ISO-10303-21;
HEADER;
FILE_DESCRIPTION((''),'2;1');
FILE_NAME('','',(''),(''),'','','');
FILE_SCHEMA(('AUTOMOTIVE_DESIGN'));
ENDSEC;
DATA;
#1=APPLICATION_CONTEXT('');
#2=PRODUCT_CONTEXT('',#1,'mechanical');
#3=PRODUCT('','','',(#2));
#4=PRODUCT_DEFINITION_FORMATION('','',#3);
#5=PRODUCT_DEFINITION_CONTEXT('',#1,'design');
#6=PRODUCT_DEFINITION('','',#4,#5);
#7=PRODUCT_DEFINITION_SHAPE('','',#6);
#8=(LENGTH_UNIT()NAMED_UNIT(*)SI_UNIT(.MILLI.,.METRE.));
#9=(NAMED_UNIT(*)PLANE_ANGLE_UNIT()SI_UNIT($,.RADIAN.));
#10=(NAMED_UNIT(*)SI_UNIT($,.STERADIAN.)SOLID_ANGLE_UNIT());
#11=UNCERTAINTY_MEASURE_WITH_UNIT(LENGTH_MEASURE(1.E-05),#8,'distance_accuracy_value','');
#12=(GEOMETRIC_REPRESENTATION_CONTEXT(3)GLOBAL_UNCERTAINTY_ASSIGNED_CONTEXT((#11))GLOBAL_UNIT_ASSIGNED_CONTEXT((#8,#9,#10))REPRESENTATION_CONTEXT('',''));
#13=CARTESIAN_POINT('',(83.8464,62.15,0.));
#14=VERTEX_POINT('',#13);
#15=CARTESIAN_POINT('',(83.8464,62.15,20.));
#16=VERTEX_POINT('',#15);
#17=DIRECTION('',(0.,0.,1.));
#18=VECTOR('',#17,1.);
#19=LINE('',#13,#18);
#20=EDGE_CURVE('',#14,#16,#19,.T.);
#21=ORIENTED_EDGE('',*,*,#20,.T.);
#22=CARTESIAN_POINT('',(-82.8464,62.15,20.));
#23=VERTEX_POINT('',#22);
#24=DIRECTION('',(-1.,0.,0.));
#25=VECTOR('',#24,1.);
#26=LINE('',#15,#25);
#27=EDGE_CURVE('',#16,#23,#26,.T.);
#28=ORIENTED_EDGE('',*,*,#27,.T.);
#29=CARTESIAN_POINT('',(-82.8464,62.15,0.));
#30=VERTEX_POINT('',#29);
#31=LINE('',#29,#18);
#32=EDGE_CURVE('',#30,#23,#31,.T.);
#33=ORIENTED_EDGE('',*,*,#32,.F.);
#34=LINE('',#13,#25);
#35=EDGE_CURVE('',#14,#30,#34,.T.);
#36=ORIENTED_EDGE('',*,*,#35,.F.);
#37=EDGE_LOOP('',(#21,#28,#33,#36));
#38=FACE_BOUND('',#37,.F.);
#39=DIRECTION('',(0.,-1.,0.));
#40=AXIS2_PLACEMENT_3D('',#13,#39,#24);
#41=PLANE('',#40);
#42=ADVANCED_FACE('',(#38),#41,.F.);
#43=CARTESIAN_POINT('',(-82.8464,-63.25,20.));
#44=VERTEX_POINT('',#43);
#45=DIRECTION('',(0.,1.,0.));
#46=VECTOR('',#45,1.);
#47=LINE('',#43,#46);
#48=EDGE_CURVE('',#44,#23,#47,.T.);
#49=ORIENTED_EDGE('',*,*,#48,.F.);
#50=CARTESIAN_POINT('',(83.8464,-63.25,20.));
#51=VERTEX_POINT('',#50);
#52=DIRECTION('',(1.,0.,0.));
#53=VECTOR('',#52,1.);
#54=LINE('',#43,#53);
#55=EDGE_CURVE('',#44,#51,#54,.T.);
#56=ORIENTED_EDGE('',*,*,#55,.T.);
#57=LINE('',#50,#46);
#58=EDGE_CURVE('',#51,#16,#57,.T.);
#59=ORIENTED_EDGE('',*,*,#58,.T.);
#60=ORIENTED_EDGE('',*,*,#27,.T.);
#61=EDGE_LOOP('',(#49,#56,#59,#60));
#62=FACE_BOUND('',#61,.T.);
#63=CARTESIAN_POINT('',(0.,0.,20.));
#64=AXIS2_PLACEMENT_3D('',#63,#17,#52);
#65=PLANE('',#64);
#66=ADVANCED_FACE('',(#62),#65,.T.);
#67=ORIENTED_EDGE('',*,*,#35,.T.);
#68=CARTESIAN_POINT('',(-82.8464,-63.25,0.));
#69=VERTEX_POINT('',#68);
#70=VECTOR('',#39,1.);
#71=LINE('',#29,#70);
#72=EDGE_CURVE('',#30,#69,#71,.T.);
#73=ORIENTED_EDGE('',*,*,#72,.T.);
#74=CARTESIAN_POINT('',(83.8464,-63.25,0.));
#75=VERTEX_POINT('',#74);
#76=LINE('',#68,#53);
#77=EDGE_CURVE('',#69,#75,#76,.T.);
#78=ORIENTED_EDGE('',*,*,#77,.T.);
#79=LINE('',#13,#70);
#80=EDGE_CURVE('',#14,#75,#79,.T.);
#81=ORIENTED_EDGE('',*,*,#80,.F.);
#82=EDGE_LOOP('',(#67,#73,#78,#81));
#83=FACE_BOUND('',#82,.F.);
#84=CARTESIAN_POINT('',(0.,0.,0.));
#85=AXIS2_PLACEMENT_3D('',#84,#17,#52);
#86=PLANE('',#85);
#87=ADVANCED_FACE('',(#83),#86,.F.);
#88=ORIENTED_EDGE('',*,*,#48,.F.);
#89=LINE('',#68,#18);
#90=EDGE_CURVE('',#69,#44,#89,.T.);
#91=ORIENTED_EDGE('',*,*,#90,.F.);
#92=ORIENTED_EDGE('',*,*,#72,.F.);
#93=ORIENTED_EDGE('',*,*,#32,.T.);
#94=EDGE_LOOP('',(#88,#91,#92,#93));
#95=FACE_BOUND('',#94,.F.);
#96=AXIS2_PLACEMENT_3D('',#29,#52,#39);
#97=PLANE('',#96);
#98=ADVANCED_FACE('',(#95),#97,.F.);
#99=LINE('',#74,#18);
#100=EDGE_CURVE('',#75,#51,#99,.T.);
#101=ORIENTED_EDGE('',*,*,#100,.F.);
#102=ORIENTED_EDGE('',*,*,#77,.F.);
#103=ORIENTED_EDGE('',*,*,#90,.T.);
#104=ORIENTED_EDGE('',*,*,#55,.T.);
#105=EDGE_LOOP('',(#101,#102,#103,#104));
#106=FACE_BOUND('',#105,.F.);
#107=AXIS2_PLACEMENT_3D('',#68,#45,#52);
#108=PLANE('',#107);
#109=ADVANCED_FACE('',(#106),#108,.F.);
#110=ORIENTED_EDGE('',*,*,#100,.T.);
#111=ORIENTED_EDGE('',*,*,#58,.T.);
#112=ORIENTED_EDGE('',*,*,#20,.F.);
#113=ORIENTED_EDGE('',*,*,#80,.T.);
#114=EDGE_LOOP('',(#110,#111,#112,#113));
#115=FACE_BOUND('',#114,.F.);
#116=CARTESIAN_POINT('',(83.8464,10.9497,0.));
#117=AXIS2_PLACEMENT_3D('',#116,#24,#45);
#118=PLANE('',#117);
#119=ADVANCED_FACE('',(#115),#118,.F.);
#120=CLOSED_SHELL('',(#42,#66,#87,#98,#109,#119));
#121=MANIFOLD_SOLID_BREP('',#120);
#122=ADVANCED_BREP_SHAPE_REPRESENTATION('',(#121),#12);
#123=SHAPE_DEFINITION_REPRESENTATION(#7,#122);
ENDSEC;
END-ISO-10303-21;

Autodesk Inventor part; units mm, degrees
ref_plane "YZ Plane" through (0, 0, 0) normal (1, 0, 0) x (0, 1, 0)
ref_plane "XZ Plane" through (0, 0, 0) normal (0, 1, 0) x (-1, 0, 0)
ref_plane "XY Plane" through (0, 0, 0) normal (0, 0, 1) x (1, 0, 0)
sketch "Sketch1" plane through (0, 0, 0) normal (0, 0, 1) x (1, 0, 0)
  line L0 (77.2, 10.9497) -> (83.8464, 10.9497) projected
  line L1 (83.8464, 10.9497) -> (83.8464, 62.15) projected
  line L2 (83.8464, 62.15) -> (-82.8464, 62.15) projected
  line L3 (-82.8464, 62.15) -> (-82.8464, 10.9497) projected
  line L4 (-82.8464, 10.9497) -> (-76.2, 10.9497) projected
  line L5 (-76.2, 10.9497) -> (-76.2, 57.15) projected
  line L6 (-76.2, 57.15) -> (77.2, 57.15) projected
  line L7 (77.2, 57.15) -> (77.2, 10.9497) projected
  line L8 (83.8464, -12.0497) -> (77.2, -12.0497) projected
  line L9 (77.2, -12.0497) -> (77.2, -58.25) projected
  line L10 (77.2, -58.25) -> (-76.2, -58.25) projected
  line L11 (-76.2, -58.25) -> (-76.2, -12.0497) projected
  line L12 (-76.2, -12.0497) -> (-82.8464, -12.0497) projected
  line L13 (-82.8464, -12.0497) -> (-82.8464, -63.25) projected
  line L14 (-82.8464, -63.25) -> (83.8464, -63.25) projected
  line L15 (83.8464, -63.25) -> (83.8464, -12.0497) projected
  circle A0 centre (20.5, 16.7705) radius 9.5 projected
  circle A1 centre (0.5, 16.7705) radius 9.5 projected
  line L16 (77.2, 10.9497) -> (77.2, 57.15) projected
  line L17 (77.2, 57.15) -> (-76.2, 57.15) projected
  line L18 (-76.2, 57.15) -> (-76.2, 10.9497) projected
  line L19 (-76.2, 10.9497) -> (-82.8464, 10.9497) projected
  line L20 (-82.8464, -12.0497) -> (-82.8464, 10.9497) projected
  line L21 (-76.2, -12.0497) -> (-82.8464, -12.0497) projected
  line L22 (-76.2, -12.0497) -> (-76.2, -58.25) projected
  line L23 (-76.2, -58.25) -> (77.2, -58.25) projected
  line L24 (77.2, -58.25) -> (77.2, -12.0497) projected
  line L25 (83.8464, -12.0497) -> (77.2, -12.0497) projected
  line L26 (83.8464, 10.9497) -> (83.8464, -12.0497) projected
  line L27 (83.8464, 10.9497) -> (77.2, 10.9497) projected
  circle A2 centre (-19.5, -17.8705) radius 9.5 projected
  circle A3 centre (-68.972, -26.5) radius 3.615 projected
  circle A4 centre (69.972, -26.5) radius 3.615 projected
  circle A5 centre (30.5, -0.55) radius 9.5 projected
  circle A6 centre (-29.5, -0.55) radius 9.5 projected
  circle A7 centre (10.5, -0.55) radius 9.5 projected
  circle A8 centre (-9.5, -0.55) radius 9.5 projected
  circle A9 centre (0.5, -17.8705) radius 9.5 projected
  circle A10 centre (20.5, -17.8705) radius 9.5 projected
  circle A11 centre (-68.972, 25.4) radius 3.615 projected
  circle A12 centre (69.972, 25.4) radius 3.615 projected
  circle A13 centre (-19.5, 16.7705) radius 9.5 projected
  line L28 (-54, -57.15) -> (54, -57.15) projected
  line L29 (54, -57.15) -> (54, 57.15) projected
  line L30 (54, 57.15) -> (-54, 57.15) projected
  line L31 (-54, 57.15) -> (-54, -57.15) projected
  line L32 (-54, -57.15) -> (54, -57.15) projected
  line L33 (54, -57.15) -> (54, 57.15) projected
  line L34 (54, 57.15) -> (-54, 57.15) projected
  line L35 (-54, 57.15) -> (-54, -57.15) projected
  line L36 (1, -0.55) -> (0, -0.55) construction
  line L37 (-82.8464, 62.15) -> (83.8464, 62.15) construction
  line L38 (83.8464, 62.15) -> (83.8464, -63.25) construction
  line L39 (83.8464, -63.25) -> (-82.8464, -63.25) construction
  line L40 (-82.8464, -63.25) -> (-82.8464, 62.15) construction
  line L41 (-82.8464, 62.15) -> (83.8464, -63.25) construction
  line L42 (83.8464, 62.15) -> (-82.8464, -63.25) construction
  line L43 (-82.8464, 62.15) -> (83.8464, 62.15)
  line L44 (83.8464, 62.15) -> (83.8464, -63.25)
  line L45 (83.8464, -63.25) -> (-82.8464, -63.25)
  line L46 (-82.8464, -63.25) -> (-82.8464, 62.15)
  line L47 (-82.8464, 62.15) -> (83.8464, -63.25) construction
  line L48 (83.8464, 62.15) -> (-82.8464, -63.25) construction
  point P0 (0, 0)
  point P1 (0.5, -0.55)
extrude "Extrusion1" add sketch "Sketch1" along normal blind 20 contours L7 L6 L5 L4 L3 L2 L1 L0 | L0 L26 L8 L9 L10 L11 L12 L20 L4 L5 L6 L31 L28 L29 L7 | L15 L14 L13 L12 L11 L10 L9 L8 | L29 L28 L31 L6 | A0 | A1 | A2 | A3 | A4 | A5 | A6 | A7 | A8 | A9 | A10 | A11 | A12 | A13
properties part number "insulation2"
